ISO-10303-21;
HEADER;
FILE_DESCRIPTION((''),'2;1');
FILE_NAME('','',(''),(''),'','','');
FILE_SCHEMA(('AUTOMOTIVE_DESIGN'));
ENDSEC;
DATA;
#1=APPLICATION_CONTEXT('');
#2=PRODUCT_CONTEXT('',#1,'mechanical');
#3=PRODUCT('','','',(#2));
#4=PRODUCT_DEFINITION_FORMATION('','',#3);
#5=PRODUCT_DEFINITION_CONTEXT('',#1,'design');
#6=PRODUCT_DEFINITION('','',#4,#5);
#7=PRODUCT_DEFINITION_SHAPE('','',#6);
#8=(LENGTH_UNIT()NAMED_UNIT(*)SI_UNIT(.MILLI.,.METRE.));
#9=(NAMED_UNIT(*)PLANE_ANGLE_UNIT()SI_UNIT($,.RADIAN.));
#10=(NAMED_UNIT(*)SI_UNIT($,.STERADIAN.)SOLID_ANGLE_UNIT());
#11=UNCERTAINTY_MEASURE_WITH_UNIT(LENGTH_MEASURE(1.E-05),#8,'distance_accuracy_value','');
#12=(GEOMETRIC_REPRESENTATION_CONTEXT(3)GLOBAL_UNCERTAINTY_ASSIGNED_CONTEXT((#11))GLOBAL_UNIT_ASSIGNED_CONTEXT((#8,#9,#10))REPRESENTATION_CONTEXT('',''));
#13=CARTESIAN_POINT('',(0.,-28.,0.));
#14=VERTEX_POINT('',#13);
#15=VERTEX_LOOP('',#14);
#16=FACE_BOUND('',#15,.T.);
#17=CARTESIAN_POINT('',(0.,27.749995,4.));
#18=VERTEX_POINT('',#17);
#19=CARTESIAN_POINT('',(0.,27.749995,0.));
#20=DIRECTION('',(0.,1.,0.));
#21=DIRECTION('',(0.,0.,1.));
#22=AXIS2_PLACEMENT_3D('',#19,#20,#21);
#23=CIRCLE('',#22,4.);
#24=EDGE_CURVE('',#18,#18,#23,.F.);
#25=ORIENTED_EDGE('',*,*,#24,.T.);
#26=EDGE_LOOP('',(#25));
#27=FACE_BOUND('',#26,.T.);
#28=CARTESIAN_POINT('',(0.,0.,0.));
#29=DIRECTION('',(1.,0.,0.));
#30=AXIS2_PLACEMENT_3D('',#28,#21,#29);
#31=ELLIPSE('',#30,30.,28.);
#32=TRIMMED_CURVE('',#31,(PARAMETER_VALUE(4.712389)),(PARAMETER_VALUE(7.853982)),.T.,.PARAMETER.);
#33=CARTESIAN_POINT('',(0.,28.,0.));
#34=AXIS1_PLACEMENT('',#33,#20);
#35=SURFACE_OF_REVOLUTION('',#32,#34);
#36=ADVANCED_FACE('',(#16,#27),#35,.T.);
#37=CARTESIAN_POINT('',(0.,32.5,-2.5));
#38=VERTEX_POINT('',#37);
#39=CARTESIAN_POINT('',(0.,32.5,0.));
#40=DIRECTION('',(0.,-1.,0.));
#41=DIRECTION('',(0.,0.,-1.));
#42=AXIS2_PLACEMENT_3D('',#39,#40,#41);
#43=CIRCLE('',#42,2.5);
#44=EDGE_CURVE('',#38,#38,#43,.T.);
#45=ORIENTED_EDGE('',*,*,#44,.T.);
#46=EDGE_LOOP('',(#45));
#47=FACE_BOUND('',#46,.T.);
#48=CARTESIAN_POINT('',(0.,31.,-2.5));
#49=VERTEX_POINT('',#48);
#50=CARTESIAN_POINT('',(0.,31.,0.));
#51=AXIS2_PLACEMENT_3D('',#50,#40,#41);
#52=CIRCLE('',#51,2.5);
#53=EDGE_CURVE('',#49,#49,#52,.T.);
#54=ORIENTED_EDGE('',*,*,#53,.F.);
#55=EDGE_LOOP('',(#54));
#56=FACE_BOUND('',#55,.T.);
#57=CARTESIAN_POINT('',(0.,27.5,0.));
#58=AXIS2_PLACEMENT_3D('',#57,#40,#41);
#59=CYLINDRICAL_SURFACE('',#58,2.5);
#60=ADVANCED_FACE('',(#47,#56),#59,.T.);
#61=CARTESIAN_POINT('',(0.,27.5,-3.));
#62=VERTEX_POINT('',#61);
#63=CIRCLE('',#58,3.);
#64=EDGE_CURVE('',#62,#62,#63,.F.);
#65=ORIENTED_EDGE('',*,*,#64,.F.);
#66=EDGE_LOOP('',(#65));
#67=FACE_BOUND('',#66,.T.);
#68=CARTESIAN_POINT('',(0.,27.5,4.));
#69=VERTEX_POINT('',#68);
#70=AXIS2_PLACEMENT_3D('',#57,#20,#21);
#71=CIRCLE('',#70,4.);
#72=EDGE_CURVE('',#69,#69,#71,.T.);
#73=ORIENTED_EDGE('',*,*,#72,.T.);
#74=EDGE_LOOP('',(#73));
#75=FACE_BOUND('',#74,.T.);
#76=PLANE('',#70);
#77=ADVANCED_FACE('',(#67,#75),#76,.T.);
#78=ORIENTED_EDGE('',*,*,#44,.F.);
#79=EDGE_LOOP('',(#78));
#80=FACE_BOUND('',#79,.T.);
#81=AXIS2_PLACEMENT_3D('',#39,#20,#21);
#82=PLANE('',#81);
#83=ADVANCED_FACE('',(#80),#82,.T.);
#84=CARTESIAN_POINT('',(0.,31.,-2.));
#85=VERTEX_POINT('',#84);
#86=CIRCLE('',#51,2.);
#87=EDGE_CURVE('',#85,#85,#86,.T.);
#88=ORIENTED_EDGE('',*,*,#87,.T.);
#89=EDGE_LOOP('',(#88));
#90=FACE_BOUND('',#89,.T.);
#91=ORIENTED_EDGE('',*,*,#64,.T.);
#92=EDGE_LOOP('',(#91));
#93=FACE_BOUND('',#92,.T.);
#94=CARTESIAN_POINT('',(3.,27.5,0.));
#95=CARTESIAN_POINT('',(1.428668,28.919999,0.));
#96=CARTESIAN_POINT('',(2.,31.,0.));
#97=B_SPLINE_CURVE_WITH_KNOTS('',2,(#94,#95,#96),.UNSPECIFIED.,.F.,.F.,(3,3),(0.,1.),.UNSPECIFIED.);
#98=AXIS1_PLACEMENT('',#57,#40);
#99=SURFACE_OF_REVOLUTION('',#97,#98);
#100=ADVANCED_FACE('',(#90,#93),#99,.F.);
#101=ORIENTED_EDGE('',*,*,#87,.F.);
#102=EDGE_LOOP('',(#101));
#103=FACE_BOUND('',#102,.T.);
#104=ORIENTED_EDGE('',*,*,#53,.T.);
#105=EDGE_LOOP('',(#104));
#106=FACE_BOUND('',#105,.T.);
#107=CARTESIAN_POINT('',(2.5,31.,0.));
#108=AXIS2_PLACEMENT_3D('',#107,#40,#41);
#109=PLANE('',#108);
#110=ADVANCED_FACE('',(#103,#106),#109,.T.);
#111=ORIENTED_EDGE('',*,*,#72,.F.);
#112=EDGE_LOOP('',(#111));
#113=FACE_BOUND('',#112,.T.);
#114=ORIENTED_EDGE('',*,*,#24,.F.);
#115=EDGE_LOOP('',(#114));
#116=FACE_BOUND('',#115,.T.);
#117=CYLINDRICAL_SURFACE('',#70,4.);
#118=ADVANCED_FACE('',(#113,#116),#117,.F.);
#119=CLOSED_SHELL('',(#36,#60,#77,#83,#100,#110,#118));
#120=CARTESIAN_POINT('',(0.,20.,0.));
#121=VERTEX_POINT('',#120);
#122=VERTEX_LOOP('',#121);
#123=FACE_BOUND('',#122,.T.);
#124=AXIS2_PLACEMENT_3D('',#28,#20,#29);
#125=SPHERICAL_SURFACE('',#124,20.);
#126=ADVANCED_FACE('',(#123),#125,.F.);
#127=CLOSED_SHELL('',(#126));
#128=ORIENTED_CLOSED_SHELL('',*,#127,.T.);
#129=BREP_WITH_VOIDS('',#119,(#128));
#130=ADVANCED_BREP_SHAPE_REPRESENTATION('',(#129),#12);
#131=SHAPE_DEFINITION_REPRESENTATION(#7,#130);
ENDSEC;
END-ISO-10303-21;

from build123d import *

# Parameters (mm, degrees)
SKETCH_9_R          = 4
CUT_EXTRUDE_3_DEPTH = 0.5


with BuildPart() as part:
    # 草图2 → 旋转1 (revolve)
    with BuildSketch(Plane.XY):
        with BuildLine():
            Line((0, 28), (0, -28))
            add(Edge.make_bspline(
                [(0, -28), (30, -28), (30, 0), (30, 28), (0, 28)],
                knots=[4.71238898, 4.71238898, 4.71238898, 6.283185307, 6.283185307, 7.853981634, 7.853981634, 7.853981634], degree=2, weights=[1, 0.707106781, 1, 0.707106781, 1]))
        make_face()
    revolve(axis=Axis((0, 28, 0), (0, -1, 0)))

    # 草图9 → 切除-拉伸3 (cut)
    with BuildSketch(Plane(origin=(0, 28, 0), x_dir=(1, 0, 0), z_dir=(0, 1, 0))):
        with Locations(Location((0, 0, 0), (0, 0, 270))):
            Circle(SKETCH_9_R)
    extrude(amount=-CUT_EXTRUDE_3_DEPTH, mode=Mode.SUBTRACT)

    # 草图10 → 旋转2 (revolve)
    with BuildSketch(Plane.XY, mode=Mode.PRIVATE) as revolve_2_sk:
        with BuildLine():
            Line((0, 27.5), (3, 27.5))
            add(Edge.make_bspline(
                [(2, 31), (1.428667746, 28.919998941), (3, 27.5)],
                knots=[0, 0, 0, 1, 1, 1], degree=2))
            Line((2, 31), (2.5, 31))
            Line((2.5, 31), (2.5, 32.5))
            Line((2.5, 32.5), (0, 32.5))
            Line((0, 32.5), (0, 27.5))
        make_face()
    revolve(revolve_2_sk.sketch.rotate(Axis((0, 27.5, 0), (0, 1, 0)), 90), axis=Axis((0, 27.5, 0), (0, 1, 0)))

    # 草图11 → 切除-旋转1 (revolve, cut)
    with BuildSketch(Plane.XY):
        with BuildLine():
            Line((0, 20), (0, -20))
            ThreePointArc((0, -20), (20, 0), (0, 20))
        make_face()
    revolve(axis=Axis((0, 20, 0), (0, -1, 0)), mode=Mode.SUBTRACT)


solid = part.part
